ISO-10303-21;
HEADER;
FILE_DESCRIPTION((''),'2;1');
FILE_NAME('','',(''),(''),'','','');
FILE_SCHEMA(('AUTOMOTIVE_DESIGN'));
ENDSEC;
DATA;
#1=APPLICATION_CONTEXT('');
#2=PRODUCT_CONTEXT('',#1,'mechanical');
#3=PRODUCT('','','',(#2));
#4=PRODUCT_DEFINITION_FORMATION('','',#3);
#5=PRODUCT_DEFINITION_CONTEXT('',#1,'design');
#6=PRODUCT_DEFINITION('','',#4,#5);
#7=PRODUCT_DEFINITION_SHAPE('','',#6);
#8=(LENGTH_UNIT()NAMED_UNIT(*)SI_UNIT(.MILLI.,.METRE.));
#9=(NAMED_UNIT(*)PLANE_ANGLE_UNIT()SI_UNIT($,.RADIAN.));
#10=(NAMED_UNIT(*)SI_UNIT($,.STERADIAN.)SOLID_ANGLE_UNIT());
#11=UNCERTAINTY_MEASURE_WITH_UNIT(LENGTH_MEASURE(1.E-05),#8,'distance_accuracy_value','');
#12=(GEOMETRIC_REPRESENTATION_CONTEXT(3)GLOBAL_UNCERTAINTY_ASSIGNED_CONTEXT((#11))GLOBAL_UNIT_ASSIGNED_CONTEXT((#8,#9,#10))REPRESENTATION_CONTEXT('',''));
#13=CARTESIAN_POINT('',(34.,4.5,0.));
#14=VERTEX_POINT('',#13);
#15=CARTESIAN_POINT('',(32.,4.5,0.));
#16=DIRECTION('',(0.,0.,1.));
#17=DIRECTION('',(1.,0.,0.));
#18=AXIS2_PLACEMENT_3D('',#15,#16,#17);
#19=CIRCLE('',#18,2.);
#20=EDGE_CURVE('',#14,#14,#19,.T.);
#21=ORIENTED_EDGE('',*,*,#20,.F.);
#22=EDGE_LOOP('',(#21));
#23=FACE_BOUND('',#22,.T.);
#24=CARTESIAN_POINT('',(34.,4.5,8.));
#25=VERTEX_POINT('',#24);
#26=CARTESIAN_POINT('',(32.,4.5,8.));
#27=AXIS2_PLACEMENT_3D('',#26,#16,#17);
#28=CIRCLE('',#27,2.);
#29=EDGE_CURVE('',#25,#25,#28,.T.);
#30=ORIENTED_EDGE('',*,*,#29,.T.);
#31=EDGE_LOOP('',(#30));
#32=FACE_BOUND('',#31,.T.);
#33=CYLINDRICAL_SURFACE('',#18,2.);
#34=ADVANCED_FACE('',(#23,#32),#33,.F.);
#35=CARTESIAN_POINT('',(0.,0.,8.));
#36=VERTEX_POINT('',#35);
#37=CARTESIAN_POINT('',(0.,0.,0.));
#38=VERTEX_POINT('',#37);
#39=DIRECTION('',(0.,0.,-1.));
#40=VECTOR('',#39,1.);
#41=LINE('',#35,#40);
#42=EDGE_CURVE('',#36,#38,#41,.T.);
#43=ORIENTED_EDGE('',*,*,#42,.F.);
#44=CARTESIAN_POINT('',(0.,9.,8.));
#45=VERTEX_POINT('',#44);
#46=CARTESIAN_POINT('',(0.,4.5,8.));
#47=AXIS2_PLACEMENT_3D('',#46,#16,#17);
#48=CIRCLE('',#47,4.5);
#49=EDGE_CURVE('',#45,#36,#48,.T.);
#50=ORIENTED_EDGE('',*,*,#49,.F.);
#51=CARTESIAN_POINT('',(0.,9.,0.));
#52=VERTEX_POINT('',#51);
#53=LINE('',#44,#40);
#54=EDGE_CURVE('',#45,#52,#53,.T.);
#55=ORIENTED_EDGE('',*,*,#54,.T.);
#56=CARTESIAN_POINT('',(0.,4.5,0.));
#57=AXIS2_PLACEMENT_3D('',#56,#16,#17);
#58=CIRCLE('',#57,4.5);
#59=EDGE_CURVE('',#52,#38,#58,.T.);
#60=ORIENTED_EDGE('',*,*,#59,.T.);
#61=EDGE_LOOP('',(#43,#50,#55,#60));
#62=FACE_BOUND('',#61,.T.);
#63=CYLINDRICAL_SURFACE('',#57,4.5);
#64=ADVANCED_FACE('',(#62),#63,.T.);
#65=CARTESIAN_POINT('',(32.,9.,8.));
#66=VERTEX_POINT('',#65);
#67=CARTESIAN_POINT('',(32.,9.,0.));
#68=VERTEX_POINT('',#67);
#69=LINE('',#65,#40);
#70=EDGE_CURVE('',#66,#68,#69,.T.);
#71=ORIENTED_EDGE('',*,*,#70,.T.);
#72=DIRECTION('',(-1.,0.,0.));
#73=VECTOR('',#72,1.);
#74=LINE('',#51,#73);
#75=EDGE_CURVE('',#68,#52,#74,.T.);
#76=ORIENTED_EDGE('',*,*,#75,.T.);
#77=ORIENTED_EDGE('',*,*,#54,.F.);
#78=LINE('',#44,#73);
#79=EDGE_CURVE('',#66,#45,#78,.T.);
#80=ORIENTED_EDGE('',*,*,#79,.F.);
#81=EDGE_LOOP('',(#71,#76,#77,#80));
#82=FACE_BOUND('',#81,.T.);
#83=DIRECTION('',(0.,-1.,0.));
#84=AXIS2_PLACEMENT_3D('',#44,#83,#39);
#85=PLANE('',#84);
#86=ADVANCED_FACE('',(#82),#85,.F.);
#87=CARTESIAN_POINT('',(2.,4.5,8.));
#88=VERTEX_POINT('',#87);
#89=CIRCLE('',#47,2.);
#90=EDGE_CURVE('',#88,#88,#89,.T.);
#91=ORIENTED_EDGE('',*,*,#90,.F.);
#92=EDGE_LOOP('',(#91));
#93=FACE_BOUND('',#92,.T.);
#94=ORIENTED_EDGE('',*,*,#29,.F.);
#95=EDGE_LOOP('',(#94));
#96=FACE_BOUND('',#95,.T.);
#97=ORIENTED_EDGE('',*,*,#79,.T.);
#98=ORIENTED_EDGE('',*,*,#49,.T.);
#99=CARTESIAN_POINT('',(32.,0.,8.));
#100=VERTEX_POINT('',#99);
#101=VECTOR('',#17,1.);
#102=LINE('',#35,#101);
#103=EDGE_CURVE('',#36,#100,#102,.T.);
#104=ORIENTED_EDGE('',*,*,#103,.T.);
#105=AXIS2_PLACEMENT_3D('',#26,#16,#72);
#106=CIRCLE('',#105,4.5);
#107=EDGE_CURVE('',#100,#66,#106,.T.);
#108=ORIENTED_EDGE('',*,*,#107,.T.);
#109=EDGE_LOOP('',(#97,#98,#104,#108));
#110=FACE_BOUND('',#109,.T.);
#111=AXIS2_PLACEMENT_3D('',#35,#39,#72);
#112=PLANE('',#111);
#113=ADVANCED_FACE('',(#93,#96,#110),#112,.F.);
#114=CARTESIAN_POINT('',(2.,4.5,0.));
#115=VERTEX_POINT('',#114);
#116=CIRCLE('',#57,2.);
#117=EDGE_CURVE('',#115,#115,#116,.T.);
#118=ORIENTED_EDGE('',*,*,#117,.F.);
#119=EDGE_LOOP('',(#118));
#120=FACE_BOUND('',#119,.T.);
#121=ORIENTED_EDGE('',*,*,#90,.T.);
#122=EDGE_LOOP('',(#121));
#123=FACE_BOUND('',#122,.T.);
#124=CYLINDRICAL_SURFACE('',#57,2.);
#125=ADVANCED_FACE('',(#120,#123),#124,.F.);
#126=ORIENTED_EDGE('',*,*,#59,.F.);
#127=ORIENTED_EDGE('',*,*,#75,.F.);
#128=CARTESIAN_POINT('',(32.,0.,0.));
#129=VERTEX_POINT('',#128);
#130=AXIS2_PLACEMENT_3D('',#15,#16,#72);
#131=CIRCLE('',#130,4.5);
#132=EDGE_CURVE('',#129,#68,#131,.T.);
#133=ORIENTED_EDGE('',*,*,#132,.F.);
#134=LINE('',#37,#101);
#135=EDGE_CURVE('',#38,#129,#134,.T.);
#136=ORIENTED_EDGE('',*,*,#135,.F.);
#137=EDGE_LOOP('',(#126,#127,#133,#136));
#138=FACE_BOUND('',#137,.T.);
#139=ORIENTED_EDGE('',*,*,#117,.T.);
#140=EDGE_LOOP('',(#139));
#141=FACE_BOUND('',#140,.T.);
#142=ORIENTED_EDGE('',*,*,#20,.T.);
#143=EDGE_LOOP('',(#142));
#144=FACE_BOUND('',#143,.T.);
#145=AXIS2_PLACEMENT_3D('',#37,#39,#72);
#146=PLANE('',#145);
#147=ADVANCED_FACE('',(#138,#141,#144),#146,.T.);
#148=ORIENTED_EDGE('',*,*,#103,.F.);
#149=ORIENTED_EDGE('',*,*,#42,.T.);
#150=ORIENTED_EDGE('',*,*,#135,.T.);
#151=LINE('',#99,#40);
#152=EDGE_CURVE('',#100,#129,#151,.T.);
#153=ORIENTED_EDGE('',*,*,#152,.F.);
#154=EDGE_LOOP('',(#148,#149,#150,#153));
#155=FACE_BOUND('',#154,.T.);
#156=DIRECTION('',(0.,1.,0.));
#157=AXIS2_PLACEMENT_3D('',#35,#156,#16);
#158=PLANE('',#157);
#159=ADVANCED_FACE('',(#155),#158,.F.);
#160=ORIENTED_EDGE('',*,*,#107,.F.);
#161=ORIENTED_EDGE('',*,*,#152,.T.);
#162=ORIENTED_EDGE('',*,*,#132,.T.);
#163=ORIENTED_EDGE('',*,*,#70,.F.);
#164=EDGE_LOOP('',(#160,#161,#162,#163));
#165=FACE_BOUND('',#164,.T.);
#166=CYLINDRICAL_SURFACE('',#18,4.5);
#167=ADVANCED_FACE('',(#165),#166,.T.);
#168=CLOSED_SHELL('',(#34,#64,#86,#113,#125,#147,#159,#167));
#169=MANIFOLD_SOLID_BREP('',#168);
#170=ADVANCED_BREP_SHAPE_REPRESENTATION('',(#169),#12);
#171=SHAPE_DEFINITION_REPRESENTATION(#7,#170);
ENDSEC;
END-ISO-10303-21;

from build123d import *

# Parameters (mm, degrees)
ESQUISSE1_W             = 32
ESQUISSE1_H             = 9
BOSS_EXTRU_1_DEPTH      = 8
BOSS_EXTRU_2_DEPTH      = 8
ESQUISSE3_R             = 2
ENL_V_MAT_EXTRU_1_DEPTH = 39.435010082


with BuildPart() as part:
    # Esquisse1 → Boss.-Extru.1 (new body)
    with BuildSketch(Plane.XY):
        with Locations((16, 4.5)):
            Rectangle(ESQUISSE1_W, ESQUISSE1_H)
    extrude(amount=BOSS_EXTRU_1_DEPTH)

    # Esquisse2 → Boss.-Extru.2 (add)
    with BuildSketch(Plane.XY.offset(8)):
        with BuildLine():
            Line((0, 0), (0, 9))
            ThreePointArc((0, 9), (-4.5, 4.5), (0, 0))
        make_face()
        with BuildLine():
            Line((32, 0), (32, 9))
            ThreePointArc((32, 9), (36.5, 4.5), (32, 0))
        make_face()
    extrude(amount=-BOSS_EXTRU_2_DEPTH)

    # Esquisse3 → Enlèv. mat.-Extru.1 (cut, through all)
    with BuildSketch(Plane.XY.offset(8)):
        with Locations((32, 4.5)):
            Circle(ESQUISSE3_R)
        with Locations((0, 4.5)):
            Circle(ESQUISSE3_R)
    extrude(amount=-ENL_V_MAT_EXTRU_1_DEPTH, mode=Mode.SUBTRACT)


solid = part.part
